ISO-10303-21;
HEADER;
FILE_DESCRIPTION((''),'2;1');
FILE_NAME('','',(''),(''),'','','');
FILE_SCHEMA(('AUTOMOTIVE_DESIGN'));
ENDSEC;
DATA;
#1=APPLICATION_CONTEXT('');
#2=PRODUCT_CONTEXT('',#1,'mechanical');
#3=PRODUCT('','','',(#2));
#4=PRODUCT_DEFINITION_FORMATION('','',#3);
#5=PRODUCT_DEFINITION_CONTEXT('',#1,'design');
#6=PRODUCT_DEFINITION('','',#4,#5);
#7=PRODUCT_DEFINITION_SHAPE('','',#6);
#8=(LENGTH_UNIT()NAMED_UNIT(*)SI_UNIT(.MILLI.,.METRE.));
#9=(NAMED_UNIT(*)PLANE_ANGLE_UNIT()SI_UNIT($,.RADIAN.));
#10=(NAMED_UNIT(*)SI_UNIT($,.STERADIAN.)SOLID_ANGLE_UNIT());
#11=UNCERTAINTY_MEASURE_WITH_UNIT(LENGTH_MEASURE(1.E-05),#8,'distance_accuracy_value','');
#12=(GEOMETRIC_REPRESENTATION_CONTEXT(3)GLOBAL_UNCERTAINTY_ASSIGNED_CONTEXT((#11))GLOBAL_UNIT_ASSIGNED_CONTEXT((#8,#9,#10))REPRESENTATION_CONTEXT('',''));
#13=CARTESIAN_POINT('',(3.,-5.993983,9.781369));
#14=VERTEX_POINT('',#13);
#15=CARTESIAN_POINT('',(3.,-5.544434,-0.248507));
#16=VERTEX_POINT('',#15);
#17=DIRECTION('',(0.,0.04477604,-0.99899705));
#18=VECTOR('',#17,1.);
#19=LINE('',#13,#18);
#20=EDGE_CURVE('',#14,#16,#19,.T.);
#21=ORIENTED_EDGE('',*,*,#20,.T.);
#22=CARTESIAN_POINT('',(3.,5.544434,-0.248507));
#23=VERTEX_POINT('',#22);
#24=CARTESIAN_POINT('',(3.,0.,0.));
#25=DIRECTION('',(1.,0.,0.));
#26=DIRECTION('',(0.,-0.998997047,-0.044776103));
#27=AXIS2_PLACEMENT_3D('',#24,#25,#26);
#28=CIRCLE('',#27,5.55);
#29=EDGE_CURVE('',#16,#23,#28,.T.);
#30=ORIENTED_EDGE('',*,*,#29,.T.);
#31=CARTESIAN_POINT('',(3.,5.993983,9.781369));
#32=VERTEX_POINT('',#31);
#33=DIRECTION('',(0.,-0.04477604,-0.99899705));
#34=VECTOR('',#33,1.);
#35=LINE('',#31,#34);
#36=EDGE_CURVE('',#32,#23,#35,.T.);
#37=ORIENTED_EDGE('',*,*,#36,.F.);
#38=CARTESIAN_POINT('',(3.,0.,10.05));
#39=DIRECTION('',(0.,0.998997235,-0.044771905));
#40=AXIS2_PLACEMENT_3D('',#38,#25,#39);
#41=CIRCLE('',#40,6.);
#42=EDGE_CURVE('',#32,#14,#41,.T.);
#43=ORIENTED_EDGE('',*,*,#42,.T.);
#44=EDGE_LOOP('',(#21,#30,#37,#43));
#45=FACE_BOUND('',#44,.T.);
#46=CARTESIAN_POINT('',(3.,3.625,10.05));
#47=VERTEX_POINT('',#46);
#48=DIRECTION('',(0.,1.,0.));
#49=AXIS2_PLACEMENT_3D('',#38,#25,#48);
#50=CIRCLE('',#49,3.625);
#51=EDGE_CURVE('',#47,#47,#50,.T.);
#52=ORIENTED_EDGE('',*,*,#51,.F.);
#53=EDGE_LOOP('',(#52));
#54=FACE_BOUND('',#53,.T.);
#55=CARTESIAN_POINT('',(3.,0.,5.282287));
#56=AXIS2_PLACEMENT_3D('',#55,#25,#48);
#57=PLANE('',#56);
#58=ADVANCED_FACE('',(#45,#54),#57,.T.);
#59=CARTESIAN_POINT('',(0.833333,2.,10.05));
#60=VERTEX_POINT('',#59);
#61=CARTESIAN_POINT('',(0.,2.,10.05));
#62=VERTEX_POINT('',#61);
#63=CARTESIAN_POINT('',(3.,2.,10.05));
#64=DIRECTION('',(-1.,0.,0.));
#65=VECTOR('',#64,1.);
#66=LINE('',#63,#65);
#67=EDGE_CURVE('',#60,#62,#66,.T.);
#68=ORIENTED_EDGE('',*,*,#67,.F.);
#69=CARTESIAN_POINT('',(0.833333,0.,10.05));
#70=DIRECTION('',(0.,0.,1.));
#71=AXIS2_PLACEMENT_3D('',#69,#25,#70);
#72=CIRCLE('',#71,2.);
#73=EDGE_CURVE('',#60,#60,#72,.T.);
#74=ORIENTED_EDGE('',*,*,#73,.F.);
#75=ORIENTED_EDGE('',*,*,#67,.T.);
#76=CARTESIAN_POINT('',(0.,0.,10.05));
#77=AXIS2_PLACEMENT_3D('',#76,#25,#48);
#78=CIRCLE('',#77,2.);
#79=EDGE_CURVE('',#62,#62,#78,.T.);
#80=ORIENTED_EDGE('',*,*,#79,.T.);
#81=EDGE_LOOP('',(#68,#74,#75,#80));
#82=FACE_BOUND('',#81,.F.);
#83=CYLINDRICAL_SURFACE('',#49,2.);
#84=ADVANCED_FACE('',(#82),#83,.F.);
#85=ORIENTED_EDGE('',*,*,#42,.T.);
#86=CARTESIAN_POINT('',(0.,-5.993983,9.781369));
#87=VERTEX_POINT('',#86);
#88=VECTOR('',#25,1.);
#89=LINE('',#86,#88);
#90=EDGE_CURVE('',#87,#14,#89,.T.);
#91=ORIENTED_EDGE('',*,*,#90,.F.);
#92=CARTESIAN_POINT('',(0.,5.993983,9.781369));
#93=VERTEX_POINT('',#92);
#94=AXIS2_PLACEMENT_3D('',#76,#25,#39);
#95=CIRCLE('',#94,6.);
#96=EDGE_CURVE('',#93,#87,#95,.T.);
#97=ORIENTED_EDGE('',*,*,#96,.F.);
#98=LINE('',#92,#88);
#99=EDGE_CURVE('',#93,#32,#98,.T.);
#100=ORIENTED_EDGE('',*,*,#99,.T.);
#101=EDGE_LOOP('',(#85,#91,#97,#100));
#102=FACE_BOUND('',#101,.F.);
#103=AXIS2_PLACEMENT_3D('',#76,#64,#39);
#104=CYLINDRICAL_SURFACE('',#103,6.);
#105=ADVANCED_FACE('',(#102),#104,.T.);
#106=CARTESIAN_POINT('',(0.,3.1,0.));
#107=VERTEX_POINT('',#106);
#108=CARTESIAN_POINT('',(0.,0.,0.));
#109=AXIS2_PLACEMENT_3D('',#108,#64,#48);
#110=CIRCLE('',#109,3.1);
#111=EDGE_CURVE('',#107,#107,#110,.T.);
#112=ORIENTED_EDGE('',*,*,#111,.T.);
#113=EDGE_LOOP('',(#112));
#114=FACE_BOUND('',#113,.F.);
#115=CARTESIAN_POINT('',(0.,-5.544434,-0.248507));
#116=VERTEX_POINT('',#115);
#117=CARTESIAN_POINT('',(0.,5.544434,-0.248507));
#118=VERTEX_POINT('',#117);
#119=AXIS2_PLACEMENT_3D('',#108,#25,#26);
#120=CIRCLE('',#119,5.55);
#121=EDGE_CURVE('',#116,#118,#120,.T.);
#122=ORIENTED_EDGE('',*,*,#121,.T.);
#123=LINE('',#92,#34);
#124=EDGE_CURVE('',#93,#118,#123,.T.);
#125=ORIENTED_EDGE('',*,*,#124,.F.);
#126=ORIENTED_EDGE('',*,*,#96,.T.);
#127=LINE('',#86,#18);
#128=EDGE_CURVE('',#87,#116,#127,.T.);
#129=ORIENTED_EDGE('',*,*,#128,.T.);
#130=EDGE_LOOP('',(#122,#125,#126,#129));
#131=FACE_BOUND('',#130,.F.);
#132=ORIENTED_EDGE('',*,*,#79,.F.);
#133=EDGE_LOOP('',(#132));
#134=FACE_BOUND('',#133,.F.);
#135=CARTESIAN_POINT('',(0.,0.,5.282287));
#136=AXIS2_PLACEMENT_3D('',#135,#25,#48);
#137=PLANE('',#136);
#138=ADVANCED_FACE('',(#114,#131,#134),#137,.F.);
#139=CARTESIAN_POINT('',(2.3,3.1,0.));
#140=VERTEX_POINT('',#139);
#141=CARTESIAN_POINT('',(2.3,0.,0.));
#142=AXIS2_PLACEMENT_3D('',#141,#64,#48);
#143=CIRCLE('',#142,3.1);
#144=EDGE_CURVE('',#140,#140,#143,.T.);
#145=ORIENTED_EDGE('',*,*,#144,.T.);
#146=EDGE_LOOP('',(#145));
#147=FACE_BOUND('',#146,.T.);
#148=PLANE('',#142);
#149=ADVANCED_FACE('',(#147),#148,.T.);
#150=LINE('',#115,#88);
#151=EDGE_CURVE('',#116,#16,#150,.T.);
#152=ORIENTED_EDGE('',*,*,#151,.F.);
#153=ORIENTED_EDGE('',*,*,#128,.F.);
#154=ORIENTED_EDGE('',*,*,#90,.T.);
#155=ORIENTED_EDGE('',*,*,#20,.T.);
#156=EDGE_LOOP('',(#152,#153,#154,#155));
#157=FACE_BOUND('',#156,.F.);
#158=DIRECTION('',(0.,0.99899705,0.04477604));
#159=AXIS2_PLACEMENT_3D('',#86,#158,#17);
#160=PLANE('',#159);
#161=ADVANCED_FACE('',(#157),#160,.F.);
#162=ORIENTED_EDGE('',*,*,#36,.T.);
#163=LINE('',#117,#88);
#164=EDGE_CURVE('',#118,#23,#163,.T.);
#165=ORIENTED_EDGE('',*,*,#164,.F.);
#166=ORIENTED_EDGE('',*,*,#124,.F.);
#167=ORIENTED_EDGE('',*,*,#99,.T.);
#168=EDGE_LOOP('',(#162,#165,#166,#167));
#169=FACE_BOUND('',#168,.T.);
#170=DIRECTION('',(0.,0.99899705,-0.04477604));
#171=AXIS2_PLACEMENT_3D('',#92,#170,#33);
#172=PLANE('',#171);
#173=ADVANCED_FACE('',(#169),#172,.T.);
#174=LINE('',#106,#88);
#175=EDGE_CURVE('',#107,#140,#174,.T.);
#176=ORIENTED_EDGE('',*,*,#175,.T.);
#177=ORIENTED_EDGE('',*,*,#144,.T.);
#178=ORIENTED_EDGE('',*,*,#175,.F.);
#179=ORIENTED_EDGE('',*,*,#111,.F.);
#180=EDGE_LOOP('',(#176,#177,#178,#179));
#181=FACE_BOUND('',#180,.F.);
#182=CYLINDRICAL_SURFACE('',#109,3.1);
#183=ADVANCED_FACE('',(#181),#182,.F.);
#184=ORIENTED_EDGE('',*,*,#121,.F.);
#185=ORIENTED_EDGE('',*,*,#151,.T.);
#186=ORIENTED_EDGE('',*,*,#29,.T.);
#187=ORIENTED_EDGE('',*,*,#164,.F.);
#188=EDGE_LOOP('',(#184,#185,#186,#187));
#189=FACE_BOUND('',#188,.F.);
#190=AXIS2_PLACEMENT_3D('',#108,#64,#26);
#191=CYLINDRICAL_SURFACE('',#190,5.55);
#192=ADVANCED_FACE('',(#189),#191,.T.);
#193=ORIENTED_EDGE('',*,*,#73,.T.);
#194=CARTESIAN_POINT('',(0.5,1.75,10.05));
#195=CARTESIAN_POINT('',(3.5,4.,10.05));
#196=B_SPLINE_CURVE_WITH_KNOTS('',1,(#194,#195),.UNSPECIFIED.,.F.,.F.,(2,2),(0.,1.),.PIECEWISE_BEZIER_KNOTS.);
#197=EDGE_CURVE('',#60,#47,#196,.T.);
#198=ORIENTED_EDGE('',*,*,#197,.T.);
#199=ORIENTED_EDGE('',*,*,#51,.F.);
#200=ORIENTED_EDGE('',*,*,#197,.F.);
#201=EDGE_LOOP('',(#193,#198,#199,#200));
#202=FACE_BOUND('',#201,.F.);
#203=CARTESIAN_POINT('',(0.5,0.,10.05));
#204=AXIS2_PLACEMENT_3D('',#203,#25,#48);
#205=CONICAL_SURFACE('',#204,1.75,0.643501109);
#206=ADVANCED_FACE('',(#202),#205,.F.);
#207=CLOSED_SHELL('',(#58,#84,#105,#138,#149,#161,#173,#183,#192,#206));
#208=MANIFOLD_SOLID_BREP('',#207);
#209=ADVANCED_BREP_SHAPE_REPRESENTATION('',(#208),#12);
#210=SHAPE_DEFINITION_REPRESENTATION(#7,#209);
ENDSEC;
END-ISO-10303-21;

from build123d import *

# Parameters (mm, degrees)
SKETCH003_R     = 1.75
SKETCH004_R     = 4
PAD_DEPTH       = 3
SKETCH001_R     = 3.1
POCKET_DEPTH    = 2.3
SKETCH002_R     = 2
POCKET001_DEPTH = 3.001


with BuildPart() as schraubenkopf:
    # Sketch003 → Loft section 0
    with BuildSketch(Plane.YZ.offset(0.5)):
        with Locations((0, 10.05)):
            Circle(SKETCH003_R)
    # Sketch004 → Loft section 1
    with BuildSketch(Plane.YZ.offset(3.5)):
        with Locations((0, 10.05)):
            Circle(SKETCH004_R)
    loft()


with BuildPart() as cut:
    # Sketch → Pad (new body)
    with BuildSketch(Plane.YZ):
        with BuildLine():
            Line((-5.993983, 9.781369), (-5.544434, -0.248507))
            ThreePointArc((-5.544434, -0.248507), (0, -5.55), (5.544434, -0.248507))
            Line((5.993983, 9.781369), (5.544434, -0.248507))
            ThreePointArc((5.993983, 9.781369), (0, 16.05), (-5.993983, 9.781369))
        make_face()
    extrude(amount=PAD_DEPTH)

    # Sketch001 → Pocket (cut)
    with BuildSketch(Plane(origin=(0, 0, 0), x_dir=(0, 1, 0), z_dir=(-1, 0, 0))):
        Circle(SKETCH001_R)
    extrude(amount=-POCKET_DEPTH, mode=Mode.SUBTRACT)

    # Sketch002 → Pocket001 (cut, through all)
    with BuildSketch(Plane.YZ.offset(3)):
        with Locations((0, 10.05)):
            Circle(SKETCH002_R)
    extrude(amount=-POCKET001_DEPTH, mode=Mode.SUBTRACT)

    # Cut: cut Schraubenkopf
    add(schraubenkopf.part, mode=Mode.SUBTRACT)


solid = cut.part
